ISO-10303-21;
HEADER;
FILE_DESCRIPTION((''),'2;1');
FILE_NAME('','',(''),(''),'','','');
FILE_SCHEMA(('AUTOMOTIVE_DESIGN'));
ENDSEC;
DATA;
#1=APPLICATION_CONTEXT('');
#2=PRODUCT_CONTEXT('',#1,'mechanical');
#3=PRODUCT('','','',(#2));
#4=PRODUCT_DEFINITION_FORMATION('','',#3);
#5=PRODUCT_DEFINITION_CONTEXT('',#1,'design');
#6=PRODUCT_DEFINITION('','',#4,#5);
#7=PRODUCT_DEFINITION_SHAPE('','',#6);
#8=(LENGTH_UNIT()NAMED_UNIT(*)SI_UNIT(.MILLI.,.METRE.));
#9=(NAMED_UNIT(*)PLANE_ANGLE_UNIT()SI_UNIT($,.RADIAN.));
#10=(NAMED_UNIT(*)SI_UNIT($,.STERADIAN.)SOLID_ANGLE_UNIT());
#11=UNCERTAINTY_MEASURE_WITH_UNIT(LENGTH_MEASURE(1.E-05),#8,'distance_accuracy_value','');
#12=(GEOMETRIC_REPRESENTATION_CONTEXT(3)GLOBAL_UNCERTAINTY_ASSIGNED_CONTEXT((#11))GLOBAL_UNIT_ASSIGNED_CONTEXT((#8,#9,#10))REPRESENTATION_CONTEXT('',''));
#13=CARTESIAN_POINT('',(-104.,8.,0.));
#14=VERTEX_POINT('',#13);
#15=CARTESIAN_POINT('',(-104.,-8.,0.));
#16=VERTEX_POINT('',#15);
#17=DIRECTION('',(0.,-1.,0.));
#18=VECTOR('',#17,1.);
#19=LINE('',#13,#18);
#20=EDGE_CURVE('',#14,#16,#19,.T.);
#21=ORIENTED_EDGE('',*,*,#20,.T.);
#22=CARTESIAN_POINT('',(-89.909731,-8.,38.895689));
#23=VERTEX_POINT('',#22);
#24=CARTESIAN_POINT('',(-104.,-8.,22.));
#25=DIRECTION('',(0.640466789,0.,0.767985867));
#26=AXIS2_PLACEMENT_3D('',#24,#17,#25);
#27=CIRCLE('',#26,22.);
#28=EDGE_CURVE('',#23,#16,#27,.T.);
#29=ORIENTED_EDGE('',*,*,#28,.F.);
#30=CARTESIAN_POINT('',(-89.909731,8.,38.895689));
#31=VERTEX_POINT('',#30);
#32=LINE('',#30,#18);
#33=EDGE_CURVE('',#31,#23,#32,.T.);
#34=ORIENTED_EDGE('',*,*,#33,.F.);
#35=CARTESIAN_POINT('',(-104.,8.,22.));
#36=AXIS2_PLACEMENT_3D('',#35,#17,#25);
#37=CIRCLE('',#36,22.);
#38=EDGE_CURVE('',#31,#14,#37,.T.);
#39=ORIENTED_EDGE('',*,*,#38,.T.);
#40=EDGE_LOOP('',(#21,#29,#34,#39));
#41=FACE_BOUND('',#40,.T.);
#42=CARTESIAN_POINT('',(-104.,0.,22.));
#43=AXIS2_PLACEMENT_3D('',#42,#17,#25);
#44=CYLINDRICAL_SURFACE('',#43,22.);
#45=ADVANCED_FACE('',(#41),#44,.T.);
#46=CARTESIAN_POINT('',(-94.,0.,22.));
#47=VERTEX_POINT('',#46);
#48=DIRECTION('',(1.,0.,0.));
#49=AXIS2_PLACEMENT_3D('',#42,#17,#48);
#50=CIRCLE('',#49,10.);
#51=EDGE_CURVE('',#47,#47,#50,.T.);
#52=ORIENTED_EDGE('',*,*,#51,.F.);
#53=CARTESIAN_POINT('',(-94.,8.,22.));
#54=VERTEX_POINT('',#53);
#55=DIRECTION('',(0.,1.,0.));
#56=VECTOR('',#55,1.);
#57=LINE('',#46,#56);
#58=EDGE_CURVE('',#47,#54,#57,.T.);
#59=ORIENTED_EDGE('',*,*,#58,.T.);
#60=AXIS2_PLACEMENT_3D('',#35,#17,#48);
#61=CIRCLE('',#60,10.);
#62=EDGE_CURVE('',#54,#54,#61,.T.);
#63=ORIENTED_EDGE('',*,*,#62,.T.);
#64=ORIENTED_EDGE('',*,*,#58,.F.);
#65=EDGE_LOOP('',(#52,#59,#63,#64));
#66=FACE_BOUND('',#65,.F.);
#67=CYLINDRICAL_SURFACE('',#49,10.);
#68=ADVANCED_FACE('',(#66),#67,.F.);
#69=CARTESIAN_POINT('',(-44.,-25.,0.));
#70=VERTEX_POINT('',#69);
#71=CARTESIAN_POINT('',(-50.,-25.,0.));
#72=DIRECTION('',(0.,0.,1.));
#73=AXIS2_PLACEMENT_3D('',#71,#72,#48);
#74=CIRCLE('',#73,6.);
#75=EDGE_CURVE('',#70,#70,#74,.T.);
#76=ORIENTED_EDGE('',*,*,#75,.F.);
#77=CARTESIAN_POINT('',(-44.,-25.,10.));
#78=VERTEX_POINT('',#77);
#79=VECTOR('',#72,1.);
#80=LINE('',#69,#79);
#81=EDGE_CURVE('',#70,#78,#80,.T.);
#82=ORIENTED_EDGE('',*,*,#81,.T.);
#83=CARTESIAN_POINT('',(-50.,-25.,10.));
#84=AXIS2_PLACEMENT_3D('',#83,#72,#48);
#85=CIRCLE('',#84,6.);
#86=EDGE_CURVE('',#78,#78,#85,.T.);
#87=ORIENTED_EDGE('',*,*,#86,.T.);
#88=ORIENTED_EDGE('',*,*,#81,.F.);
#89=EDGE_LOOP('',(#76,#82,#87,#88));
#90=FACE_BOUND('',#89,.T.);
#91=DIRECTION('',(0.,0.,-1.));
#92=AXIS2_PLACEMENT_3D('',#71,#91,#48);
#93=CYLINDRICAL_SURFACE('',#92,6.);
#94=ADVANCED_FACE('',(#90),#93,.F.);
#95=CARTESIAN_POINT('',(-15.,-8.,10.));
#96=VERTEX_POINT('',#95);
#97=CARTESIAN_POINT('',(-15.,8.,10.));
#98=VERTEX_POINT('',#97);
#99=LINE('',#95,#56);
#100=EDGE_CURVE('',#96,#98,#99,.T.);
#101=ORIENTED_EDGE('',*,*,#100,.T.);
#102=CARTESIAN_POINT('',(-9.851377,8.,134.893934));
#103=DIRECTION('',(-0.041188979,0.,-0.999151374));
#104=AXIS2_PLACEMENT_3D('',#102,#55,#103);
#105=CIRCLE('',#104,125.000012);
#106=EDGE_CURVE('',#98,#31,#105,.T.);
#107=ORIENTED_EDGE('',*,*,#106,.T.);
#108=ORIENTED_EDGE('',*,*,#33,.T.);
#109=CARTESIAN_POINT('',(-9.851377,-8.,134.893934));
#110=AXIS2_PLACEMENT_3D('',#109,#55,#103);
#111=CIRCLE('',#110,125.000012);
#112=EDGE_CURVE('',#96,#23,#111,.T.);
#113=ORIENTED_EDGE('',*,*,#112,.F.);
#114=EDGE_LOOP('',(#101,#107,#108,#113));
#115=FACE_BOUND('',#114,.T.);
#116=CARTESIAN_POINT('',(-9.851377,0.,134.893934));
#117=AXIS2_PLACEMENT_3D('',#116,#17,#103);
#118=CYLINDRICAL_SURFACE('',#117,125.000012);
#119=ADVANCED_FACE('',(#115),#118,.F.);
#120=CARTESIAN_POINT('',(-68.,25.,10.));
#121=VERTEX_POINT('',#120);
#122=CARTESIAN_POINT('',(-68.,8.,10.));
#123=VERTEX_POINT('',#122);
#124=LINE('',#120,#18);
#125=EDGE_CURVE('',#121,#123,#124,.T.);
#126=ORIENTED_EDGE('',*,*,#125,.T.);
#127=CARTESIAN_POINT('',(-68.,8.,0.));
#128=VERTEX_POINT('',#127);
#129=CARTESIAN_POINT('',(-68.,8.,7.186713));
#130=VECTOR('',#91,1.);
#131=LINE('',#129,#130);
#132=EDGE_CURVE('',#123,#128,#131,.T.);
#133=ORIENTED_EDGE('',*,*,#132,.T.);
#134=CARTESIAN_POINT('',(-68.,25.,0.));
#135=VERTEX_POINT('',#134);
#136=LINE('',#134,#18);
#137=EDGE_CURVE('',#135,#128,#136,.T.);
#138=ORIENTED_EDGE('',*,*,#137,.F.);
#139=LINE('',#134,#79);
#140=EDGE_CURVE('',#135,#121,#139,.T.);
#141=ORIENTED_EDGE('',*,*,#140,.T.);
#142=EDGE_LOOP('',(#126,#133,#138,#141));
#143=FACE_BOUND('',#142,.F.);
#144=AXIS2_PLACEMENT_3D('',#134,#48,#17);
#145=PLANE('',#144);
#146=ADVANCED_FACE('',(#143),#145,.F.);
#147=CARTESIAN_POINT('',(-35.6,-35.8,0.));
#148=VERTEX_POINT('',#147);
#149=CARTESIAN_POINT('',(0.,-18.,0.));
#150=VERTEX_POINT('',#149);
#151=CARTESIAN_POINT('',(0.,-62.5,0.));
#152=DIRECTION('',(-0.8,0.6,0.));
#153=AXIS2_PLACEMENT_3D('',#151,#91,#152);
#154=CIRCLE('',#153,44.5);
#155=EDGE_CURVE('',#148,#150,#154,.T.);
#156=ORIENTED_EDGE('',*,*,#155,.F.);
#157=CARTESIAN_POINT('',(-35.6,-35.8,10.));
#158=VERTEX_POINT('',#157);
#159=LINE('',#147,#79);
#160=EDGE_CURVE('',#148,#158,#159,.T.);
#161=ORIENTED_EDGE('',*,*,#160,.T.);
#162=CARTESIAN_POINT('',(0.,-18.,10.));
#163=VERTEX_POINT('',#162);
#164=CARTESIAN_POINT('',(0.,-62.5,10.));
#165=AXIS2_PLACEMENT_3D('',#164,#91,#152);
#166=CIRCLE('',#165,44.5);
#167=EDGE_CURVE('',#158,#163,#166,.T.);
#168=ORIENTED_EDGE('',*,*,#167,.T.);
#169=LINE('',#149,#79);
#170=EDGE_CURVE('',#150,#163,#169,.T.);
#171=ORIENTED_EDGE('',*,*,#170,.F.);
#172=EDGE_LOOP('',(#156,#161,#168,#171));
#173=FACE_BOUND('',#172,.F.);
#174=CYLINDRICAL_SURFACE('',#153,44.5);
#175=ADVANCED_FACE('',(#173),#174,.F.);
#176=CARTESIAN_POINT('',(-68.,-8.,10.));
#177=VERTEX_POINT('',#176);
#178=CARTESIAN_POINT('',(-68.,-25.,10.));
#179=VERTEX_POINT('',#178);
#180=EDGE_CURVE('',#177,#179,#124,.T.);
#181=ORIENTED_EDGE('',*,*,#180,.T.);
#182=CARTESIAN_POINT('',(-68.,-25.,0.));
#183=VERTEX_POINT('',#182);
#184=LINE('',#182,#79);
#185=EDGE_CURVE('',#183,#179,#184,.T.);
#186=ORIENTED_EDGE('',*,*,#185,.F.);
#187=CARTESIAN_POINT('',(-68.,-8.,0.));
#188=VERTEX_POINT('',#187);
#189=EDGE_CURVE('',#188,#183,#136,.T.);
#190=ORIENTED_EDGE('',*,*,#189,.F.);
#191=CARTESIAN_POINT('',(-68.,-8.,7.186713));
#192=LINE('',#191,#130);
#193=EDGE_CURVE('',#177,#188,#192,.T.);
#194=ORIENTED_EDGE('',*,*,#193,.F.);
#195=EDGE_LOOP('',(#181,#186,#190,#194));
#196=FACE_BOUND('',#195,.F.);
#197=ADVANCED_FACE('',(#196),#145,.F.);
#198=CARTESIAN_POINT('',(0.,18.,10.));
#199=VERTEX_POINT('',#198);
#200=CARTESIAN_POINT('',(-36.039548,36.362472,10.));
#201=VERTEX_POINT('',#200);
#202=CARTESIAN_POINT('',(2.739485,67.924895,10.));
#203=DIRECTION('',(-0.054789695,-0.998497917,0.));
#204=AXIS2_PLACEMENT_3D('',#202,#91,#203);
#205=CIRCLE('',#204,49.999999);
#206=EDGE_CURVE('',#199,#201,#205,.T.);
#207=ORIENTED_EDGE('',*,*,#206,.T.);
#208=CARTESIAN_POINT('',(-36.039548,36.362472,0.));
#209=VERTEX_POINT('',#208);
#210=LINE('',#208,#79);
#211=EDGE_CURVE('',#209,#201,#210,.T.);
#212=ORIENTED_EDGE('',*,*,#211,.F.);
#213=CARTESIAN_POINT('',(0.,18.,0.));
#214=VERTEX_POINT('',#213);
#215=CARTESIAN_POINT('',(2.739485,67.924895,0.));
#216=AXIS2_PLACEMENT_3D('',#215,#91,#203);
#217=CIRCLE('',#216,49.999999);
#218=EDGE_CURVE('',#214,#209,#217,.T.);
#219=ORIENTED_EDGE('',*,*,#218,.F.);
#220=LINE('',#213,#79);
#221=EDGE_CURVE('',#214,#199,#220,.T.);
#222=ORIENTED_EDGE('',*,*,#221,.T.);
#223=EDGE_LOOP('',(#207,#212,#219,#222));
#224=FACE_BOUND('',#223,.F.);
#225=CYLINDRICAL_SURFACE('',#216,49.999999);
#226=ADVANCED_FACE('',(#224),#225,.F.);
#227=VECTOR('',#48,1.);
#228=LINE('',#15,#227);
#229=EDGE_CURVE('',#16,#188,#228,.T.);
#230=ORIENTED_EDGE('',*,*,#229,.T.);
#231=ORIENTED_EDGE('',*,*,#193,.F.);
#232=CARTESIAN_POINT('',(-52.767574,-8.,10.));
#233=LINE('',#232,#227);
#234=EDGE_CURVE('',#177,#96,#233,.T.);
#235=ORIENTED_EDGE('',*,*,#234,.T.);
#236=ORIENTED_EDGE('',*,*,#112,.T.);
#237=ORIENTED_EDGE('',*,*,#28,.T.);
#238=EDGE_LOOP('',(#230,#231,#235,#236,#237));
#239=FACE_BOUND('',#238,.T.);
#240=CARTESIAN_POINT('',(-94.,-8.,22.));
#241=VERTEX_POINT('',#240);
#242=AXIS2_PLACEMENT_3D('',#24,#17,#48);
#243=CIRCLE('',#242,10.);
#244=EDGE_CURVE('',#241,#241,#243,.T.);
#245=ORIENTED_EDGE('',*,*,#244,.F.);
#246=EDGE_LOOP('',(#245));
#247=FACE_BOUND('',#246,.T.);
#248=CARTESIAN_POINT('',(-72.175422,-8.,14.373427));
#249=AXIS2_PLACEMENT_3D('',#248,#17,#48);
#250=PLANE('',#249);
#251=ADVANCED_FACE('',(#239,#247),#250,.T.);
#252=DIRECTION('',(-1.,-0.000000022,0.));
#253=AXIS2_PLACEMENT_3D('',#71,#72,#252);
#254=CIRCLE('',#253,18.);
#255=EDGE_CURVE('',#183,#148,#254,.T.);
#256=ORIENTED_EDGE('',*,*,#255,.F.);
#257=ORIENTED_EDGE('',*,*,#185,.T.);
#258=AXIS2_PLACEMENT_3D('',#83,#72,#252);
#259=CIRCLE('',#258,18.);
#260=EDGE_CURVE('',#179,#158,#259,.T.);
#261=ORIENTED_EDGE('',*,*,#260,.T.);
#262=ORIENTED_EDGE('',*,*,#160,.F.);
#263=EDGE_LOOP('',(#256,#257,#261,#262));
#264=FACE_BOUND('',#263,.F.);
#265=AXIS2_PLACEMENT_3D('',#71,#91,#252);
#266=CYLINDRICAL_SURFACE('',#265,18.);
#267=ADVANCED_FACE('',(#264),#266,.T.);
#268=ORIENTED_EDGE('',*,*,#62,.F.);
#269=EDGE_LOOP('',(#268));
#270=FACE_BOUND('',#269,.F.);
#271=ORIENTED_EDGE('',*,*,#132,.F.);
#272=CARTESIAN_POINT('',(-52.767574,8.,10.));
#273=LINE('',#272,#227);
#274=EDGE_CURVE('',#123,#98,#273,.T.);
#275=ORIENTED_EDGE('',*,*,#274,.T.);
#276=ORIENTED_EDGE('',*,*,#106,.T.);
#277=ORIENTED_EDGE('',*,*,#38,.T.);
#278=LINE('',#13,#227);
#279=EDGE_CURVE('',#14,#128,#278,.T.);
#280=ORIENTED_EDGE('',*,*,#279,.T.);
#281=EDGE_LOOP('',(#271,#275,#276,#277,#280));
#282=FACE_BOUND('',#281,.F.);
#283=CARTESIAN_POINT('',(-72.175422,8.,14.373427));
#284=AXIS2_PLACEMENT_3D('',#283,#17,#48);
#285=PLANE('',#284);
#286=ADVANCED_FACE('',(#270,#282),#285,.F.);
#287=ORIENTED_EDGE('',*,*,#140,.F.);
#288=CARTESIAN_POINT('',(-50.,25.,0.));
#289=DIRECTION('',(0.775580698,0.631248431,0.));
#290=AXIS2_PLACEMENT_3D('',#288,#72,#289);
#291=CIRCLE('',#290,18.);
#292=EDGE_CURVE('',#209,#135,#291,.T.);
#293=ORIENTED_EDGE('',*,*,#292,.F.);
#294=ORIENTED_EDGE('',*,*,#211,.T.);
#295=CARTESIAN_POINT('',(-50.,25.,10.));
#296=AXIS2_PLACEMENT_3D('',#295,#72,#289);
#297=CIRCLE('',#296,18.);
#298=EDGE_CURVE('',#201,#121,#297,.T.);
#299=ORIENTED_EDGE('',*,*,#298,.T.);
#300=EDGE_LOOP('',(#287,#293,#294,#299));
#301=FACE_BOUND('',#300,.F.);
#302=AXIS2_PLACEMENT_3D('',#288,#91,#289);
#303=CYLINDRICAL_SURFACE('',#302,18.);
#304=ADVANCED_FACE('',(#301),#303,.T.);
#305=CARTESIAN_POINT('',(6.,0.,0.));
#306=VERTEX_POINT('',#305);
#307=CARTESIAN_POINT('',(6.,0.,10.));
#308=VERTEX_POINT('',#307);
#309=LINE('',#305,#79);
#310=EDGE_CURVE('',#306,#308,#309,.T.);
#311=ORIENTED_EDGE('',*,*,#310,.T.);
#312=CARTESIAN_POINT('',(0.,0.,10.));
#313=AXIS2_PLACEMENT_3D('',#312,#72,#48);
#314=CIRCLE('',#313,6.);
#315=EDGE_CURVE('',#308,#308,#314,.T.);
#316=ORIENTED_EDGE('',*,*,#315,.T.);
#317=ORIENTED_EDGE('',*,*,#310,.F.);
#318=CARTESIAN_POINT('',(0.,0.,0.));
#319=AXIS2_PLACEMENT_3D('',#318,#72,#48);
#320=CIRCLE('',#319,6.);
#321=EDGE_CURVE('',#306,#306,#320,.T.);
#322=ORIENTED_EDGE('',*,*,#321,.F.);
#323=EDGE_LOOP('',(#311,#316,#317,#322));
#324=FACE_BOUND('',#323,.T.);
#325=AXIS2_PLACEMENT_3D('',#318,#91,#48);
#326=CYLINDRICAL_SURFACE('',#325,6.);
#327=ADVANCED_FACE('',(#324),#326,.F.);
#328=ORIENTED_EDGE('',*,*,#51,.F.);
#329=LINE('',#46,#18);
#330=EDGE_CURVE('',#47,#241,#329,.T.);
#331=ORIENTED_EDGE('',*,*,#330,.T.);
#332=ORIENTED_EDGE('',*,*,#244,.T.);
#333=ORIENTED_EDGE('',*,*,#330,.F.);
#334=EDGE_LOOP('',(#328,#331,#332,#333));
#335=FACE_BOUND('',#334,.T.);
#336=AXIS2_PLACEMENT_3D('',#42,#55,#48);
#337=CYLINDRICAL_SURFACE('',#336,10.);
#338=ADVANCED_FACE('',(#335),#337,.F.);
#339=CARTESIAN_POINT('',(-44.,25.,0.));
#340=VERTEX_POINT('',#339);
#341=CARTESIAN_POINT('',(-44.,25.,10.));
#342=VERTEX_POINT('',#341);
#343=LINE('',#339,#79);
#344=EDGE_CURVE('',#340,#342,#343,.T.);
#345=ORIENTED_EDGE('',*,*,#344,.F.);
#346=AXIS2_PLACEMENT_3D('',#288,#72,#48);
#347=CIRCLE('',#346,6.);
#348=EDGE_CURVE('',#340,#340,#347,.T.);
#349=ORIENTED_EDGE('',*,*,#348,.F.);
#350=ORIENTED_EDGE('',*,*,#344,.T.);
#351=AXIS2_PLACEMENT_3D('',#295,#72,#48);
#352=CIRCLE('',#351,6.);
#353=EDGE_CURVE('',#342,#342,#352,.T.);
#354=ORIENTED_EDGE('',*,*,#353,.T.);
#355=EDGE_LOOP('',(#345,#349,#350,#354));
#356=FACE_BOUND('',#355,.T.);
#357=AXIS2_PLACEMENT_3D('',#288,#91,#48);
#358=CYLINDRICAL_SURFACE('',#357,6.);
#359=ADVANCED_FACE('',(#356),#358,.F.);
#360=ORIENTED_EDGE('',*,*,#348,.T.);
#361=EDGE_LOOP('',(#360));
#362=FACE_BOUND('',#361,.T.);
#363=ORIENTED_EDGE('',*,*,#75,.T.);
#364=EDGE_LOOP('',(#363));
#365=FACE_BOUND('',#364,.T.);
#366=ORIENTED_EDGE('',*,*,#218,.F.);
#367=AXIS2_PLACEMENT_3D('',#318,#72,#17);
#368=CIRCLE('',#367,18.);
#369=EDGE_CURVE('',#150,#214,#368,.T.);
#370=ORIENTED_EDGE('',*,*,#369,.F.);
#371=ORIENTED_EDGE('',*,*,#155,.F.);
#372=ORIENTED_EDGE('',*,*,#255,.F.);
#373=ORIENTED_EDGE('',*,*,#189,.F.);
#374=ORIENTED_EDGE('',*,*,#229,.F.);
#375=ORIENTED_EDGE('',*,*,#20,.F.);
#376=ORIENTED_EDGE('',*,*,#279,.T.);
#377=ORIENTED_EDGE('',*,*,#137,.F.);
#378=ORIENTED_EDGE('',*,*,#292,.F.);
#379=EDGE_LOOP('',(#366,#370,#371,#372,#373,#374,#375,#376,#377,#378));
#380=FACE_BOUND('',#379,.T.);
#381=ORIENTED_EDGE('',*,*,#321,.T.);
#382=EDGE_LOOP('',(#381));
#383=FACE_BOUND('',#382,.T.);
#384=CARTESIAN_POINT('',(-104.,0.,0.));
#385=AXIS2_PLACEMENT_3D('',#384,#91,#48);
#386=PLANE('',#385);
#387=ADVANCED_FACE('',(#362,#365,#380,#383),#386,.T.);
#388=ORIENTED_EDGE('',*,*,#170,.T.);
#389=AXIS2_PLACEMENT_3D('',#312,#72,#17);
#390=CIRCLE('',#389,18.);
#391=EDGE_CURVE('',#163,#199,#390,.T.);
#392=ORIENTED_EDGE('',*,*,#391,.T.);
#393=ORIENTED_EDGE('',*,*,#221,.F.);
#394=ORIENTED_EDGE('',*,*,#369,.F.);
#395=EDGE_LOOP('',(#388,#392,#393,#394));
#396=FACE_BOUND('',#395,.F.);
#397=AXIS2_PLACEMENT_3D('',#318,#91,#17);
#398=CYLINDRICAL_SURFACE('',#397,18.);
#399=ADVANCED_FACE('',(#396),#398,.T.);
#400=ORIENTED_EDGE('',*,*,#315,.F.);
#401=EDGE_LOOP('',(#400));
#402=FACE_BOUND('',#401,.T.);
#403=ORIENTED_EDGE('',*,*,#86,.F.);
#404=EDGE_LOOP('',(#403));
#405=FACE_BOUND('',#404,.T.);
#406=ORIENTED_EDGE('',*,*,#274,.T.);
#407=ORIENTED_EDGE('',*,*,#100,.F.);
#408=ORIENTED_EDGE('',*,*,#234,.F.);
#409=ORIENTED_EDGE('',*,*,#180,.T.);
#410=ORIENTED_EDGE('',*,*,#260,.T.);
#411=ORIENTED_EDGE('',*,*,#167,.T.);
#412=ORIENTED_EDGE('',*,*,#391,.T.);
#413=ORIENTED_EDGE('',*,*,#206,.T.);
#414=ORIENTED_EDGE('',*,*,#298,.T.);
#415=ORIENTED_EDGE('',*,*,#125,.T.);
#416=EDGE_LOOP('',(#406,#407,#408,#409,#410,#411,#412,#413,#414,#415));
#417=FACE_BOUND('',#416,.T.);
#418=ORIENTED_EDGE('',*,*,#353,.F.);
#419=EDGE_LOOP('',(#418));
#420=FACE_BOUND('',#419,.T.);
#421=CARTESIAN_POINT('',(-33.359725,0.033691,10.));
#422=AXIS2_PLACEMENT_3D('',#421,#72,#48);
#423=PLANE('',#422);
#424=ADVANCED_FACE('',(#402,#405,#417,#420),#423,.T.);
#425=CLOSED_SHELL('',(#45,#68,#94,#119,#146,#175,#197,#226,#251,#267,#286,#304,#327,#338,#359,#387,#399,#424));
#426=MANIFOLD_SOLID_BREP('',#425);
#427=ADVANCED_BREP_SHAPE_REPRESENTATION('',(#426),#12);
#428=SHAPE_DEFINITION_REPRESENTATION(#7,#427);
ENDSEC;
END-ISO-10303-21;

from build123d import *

# Parameters (mm, degrees)
F0_R          = 6
F1_DEPTH      = 10
F2_R          = 10
F3_DEPTH      = 8
F3_DEPTH_BACK = 8


with BuildPart() as f1:
    # F0 (on Top) → F1 (new body)
    with BuildSketch(Plane.XY):
        with BuildLine():
            ThreePointArc((-35.6, -35.8), (-19.901005, -22.69799), (0, -18))
            ThreePointArc((0, -18), (18, 0), (0, 18))
            ThreePointArc((0, 18), (-19.959456, 23.374272), (-36.039548, 36.362472))
            ThreePointArc((-36.039548, 36.362472), (-56.029588, 41.960073), (-68, 25))
            Line((-68, 25), (-68, -25))
            ThreePointArc((-68, -25), (-55.6921, -42.076299), (-35.6, -35.8))
        make_face()
        with Locations((-50, -25)):
            Circle(F0_R, mode=Mode.SUBTRACT)
        Circle(F0_R, mode=Mode.SUBTRACT)
        with Locations((-50, 25)):
            Circle(F0_R, mode=Mode.SUBTRACT)
    extrude(amount=F1_DEPTH)

    # F2 (on Front) → F3 (join, two sides)
    with BuildSketch(Plane.XZ) as f3_sk:
        with BuildLine():
            ThreePointArc((-15, 10), (-54.838013, 18.269727), (-89.909731, 38.895689))
            ThreePointArc((-89.909731, 38.895689), (-124.684598, 29.493158), (-104, 0))
            Line((-104, 0), (-15, 0))
            Line((-15, 0), (-15, 10))
        make_face()
        with Locations((-104, 22)):
            Circle(F2_R, mode=Mode.SUBTRACT)
    extrude(amount=F3_DEPTH)
    extrude(f3_sk.sketch, amount=-F3_DEPTH_BACK)


solid = f1.part
